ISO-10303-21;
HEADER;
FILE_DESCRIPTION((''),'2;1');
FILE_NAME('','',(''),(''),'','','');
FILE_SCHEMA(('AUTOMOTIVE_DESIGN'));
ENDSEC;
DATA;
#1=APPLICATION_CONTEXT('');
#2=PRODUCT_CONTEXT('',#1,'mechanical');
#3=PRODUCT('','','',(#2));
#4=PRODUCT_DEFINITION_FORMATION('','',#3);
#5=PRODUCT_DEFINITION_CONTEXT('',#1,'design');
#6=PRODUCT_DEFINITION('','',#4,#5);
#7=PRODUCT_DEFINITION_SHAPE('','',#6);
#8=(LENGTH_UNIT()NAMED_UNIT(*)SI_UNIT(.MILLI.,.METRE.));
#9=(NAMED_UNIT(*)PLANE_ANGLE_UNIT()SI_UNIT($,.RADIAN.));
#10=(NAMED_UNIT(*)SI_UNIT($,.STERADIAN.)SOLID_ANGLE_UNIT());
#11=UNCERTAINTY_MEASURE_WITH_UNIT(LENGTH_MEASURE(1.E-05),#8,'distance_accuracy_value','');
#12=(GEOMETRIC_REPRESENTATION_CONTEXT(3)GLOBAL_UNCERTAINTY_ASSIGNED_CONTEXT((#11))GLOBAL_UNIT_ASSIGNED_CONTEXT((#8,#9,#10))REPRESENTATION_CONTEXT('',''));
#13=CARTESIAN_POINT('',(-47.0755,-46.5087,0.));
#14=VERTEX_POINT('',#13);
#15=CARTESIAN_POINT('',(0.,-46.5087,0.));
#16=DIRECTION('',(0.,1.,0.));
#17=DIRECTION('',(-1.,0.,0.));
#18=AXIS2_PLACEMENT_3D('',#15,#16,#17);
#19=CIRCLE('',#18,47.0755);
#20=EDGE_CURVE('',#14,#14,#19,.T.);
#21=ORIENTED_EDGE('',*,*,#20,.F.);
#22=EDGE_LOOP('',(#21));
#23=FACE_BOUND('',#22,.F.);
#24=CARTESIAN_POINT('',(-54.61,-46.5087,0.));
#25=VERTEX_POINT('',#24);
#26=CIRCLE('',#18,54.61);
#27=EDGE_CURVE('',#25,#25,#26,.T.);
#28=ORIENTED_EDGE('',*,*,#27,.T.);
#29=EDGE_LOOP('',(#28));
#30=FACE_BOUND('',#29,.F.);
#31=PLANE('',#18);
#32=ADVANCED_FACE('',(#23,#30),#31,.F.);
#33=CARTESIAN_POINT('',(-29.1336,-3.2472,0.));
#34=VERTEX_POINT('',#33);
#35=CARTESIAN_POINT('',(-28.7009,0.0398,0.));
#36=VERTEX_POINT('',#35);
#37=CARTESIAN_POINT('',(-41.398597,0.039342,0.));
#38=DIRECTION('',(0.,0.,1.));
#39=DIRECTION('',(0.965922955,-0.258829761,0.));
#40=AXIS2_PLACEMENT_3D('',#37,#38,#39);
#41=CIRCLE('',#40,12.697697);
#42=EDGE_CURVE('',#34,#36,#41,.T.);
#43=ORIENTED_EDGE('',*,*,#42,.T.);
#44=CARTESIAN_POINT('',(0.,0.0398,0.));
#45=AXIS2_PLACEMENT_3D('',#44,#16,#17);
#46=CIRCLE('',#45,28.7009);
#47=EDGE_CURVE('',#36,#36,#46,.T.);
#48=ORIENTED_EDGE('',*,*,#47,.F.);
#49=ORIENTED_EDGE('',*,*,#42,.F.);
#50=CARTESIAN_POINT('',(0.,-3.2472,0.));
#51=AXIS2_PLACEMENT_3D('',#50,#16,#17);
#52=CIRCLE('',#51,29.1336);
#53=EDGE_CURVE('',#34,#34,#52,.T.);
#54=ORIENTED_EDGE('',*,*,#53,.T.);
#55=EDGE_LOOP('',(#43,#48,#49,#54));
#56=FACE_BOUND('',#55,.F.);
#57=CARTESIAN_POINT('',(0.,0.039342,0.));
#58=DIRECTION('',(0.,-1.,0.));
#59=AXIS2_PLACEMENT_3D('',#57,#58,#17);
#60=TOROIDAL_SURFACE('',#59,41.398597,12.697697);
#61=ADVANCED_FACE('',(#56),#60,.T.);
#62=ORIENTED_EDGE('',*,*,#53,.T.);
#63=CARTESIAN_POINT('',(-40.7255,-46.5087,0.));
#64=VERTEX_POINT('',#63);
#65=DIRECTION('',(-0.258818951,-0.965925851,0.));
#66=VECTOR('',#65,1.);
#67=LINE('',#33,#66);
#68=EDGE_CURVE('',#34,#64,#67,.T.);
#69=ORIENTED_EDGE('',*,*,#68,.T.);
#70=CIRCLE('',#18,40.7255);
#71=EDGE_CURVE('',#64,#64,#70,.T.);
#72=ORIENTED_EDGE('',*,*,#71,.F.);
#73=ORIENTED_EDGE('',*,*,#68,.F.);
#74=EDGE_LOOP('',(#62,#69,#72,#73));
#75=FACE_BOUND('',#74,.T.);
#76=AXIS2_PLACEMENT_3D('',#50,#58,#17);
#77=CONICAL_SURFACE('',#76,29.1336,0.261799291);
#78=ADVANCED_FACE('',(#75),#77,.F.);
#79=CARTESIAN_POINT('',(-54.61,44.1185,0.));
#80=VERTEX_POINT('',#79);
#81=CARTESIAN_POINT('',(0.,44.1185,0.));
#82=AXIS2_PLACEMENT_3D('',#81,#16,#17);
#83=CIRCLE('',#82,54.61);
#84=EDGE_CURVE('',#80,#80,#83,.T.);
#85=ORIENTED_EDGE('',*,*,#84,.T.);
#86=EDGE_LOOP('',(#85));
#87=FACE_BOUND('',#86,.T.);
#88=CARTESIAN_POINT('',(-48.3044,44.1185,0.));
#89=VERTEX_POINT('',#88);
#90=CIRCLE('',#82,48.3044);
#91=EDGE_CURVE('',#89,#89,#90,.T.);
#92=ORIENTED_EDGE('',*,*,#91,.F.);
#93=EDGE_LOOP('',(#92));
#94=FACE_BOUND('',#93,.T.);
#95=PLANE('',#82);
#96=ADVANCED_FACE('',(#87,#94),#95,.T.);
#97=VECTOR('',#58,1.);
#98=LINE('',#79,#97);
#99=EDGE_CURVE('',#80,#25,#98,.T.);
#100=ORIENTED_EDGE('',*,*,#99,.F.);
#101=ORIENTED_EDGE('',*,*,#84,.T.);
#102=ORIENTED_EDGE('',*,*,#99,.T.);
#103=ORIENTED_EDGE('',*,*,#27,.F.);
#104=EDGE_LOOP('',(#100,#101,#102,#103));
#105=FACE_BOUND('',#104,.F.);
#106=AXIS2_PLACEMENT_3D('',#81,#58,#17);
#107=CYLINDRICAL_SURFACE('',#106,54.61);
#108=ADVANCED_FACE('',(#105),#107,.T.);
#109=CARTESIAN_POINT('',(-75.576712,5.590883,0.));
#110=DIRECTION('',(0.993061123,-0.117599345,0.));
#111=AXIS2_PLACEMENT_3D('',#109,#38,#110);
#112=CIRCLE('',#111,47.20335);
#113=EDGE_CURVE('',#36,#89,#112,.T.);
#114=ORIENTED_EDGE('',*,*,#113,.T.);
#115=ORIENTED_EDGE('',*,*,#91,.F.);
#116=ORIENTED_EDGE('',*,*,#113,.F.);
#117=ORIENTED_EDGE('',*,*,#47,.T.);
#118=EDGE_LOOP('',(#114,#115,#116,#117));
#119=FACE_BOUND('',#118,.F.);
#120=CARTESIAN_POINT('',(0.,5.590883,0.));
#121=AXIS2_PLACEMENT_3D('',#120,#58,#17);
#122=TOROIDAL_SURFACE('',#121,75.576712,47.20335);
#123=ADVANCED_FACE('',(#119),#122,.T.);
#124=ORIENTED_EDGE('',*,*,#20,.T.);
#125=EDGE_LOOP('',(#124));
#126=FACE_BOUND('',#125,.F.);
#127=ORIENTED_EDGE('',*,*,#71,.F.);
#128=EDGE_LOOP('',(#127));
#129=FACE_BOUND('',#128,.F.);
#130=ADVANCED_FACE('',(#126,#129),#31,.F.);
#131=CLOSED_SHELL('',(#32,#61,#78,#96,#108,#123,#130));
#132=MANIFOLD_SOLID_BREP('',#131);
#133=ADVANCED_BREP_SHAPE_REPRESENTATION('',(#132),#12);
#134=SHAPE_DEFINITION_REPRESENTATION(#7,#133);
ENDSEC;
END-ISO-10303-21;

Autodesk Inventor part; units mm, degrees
ref_plane "YZ Plane" through (0, 0, 0) normal (1, 0, 0) x (0, 1, 0)
ref_plane "XZ Plane" through (0, 0, 0) normal (0, 1, 0) x (-1, 0, 0)
ref_plane "XY Plane" through (0, 0, 0) normal (0, 0, 1) x (1, 0, 0)
sketch "Sketch1" plane through (0, 0, 0) normal (0, 0, 1) x (1, 0, 0)
  line L0 (-68.3895, -51.5874) -> (-9.652, -51.5874) construction
  line L1 (-54.61, 44.1185) -> (-48.3044, 44.1185)
  line L2 (-54.61, 44.1185) -> (-9.6509, 44.1185) construction
  line L3 (-54.61, 44.1185) -> (36.0172, 44.1185) construction
  line L4 (-75.5396, 46.8376) -> (-27.9582, 46.8376) construction
  line L5 (-75.5396, 46.8376) -> (-24.3567, 46.8376) construction
  line L6 (-75.5396, 46.8376) -> (-39.9094, 46.8376) construction
  line L7 (-85.2325, 14.4461) -> (-72.647, 14.4461)
  line L8 (-85.2325, 14.4461) -> (-78.8825, 14.4461)
  line L9 (-47.0755, -46.5087) -> (-40.7255, -46.5087)
  line L10 (-54.61, -46.5087) -> (-47.0755, -46.5087)
  arc A0 (-29.1336, -3.2472) -> (-28.7009, 0.0398) centre (-41.4009, 0.0398) ccw
  line L11 (-72.647, 14.4461) -> (-72.647, -49.0501)
  line L12 (-85.2325, 7.0204) -> (-85.2325, -49.0501)
  line L13 (-78.8825, 7.0204) -> (-85.2325, 7.0204)
  line L14 (-78.8825, 14.4461) -> (-78.8825, 7.0204)
  line L15 (-54.61, 44.1185) -> (-54.61, -46.5087)
  line L16 (-29.1336, -3.2472) -> (-78.2122, -186.4111)
  line L17 (-78.997, -110.2264) -> (-72.647, -110.2264)
  line L18 (-72.647, -141.9758) -> (-66.3058, -141.9758)
  line L19 (-78.997, -110.2264) -> (-78.997, -186.4111)
  line L20 (-72.647, -49.0501) -> (-85.2325, -49.0501)
  line L21 (-72.6469, -48.8475) -> (-59.9469, -48.8475) construction
  line L22 (-85.2325, 26.3534) -> (-71.1236, 26.3534)
  line L23 (-71.1236, 26.3534) -> (-64.7736, 26.3534)
  line L24 (-64.7736, 26.3534) -> (-64.7736, -49.0592)
  line L25 (-64.7736, -49.0592) -> (-64.7736, -112.5592)
  line L26 (-64.7736, -112.5592) -> (-58.4236, -112.5592)
  line L27 (-85.2325, 26.3534) -> (-85.2325, 42.2284)
  line L28 (-85.2325, 42.2284) -> (-78.2952, 42.2284)
  line L29 (-78.2952, 42.2284) -> (-78.2952, 58.1034)
  line L30 (-78.2952, 58.1034) -> (-48.3044, 44.1185)
  line L31 (-77.6767, 58.2932) -> (49.3233, 58.2932) construction
  arc A1 (-28.7009, 0.0398) -> (-48.3044, 44.1185) centre (-75.5766, 5.5909) ccw
  line L32 (-78.997, -186.4111) -> (-78.2122, -186.4111)
  line L33 (-72.6558, -49.0501) -> (-72.647, -49.0501)
  line L34 (-85.2325, 26.3534) -> (-85.2325, 14.4461)
  line L35 (-72.647, -49.0501) -> (-72.647, -110.2264)
  line L36 (-72.647, -110.2264) -> (-72.647, -141.9758)
  line L37 (0, -235.352) -> (0, 107.2341) projected
  point P0 (0, 0)
  point P1 (-9.6509, 0.0398)
  dimension "d5" = 12.7
  dimension "d7" = 6.35
  dimension "d8" = 105
  dimension "d23" = 76.1847
  dimension "d26" = 31.7495
  dimension "d30" = 90
  dimension "d33" = 6.35
  dimension "d51" = 6.35
  dimension "d54" = 6.35
  dimension "d55" = 15.875
  dimension "d56" = 6.9374
  dimension "d57" = 15.875
  dimension "d60" = 25
  dimension "d62" = 28.7008
  dimension "d63" = 54.61
  dimension "d64" = 6.3056
revolve "Revolution1" add sketch "Sketch1" angle 360 about axis through (0, -10, 0) along (0, 1, 0) contours L1 A1 A0 L16 L9 L10 L15
properties part number "nozzle 8in version 1"
